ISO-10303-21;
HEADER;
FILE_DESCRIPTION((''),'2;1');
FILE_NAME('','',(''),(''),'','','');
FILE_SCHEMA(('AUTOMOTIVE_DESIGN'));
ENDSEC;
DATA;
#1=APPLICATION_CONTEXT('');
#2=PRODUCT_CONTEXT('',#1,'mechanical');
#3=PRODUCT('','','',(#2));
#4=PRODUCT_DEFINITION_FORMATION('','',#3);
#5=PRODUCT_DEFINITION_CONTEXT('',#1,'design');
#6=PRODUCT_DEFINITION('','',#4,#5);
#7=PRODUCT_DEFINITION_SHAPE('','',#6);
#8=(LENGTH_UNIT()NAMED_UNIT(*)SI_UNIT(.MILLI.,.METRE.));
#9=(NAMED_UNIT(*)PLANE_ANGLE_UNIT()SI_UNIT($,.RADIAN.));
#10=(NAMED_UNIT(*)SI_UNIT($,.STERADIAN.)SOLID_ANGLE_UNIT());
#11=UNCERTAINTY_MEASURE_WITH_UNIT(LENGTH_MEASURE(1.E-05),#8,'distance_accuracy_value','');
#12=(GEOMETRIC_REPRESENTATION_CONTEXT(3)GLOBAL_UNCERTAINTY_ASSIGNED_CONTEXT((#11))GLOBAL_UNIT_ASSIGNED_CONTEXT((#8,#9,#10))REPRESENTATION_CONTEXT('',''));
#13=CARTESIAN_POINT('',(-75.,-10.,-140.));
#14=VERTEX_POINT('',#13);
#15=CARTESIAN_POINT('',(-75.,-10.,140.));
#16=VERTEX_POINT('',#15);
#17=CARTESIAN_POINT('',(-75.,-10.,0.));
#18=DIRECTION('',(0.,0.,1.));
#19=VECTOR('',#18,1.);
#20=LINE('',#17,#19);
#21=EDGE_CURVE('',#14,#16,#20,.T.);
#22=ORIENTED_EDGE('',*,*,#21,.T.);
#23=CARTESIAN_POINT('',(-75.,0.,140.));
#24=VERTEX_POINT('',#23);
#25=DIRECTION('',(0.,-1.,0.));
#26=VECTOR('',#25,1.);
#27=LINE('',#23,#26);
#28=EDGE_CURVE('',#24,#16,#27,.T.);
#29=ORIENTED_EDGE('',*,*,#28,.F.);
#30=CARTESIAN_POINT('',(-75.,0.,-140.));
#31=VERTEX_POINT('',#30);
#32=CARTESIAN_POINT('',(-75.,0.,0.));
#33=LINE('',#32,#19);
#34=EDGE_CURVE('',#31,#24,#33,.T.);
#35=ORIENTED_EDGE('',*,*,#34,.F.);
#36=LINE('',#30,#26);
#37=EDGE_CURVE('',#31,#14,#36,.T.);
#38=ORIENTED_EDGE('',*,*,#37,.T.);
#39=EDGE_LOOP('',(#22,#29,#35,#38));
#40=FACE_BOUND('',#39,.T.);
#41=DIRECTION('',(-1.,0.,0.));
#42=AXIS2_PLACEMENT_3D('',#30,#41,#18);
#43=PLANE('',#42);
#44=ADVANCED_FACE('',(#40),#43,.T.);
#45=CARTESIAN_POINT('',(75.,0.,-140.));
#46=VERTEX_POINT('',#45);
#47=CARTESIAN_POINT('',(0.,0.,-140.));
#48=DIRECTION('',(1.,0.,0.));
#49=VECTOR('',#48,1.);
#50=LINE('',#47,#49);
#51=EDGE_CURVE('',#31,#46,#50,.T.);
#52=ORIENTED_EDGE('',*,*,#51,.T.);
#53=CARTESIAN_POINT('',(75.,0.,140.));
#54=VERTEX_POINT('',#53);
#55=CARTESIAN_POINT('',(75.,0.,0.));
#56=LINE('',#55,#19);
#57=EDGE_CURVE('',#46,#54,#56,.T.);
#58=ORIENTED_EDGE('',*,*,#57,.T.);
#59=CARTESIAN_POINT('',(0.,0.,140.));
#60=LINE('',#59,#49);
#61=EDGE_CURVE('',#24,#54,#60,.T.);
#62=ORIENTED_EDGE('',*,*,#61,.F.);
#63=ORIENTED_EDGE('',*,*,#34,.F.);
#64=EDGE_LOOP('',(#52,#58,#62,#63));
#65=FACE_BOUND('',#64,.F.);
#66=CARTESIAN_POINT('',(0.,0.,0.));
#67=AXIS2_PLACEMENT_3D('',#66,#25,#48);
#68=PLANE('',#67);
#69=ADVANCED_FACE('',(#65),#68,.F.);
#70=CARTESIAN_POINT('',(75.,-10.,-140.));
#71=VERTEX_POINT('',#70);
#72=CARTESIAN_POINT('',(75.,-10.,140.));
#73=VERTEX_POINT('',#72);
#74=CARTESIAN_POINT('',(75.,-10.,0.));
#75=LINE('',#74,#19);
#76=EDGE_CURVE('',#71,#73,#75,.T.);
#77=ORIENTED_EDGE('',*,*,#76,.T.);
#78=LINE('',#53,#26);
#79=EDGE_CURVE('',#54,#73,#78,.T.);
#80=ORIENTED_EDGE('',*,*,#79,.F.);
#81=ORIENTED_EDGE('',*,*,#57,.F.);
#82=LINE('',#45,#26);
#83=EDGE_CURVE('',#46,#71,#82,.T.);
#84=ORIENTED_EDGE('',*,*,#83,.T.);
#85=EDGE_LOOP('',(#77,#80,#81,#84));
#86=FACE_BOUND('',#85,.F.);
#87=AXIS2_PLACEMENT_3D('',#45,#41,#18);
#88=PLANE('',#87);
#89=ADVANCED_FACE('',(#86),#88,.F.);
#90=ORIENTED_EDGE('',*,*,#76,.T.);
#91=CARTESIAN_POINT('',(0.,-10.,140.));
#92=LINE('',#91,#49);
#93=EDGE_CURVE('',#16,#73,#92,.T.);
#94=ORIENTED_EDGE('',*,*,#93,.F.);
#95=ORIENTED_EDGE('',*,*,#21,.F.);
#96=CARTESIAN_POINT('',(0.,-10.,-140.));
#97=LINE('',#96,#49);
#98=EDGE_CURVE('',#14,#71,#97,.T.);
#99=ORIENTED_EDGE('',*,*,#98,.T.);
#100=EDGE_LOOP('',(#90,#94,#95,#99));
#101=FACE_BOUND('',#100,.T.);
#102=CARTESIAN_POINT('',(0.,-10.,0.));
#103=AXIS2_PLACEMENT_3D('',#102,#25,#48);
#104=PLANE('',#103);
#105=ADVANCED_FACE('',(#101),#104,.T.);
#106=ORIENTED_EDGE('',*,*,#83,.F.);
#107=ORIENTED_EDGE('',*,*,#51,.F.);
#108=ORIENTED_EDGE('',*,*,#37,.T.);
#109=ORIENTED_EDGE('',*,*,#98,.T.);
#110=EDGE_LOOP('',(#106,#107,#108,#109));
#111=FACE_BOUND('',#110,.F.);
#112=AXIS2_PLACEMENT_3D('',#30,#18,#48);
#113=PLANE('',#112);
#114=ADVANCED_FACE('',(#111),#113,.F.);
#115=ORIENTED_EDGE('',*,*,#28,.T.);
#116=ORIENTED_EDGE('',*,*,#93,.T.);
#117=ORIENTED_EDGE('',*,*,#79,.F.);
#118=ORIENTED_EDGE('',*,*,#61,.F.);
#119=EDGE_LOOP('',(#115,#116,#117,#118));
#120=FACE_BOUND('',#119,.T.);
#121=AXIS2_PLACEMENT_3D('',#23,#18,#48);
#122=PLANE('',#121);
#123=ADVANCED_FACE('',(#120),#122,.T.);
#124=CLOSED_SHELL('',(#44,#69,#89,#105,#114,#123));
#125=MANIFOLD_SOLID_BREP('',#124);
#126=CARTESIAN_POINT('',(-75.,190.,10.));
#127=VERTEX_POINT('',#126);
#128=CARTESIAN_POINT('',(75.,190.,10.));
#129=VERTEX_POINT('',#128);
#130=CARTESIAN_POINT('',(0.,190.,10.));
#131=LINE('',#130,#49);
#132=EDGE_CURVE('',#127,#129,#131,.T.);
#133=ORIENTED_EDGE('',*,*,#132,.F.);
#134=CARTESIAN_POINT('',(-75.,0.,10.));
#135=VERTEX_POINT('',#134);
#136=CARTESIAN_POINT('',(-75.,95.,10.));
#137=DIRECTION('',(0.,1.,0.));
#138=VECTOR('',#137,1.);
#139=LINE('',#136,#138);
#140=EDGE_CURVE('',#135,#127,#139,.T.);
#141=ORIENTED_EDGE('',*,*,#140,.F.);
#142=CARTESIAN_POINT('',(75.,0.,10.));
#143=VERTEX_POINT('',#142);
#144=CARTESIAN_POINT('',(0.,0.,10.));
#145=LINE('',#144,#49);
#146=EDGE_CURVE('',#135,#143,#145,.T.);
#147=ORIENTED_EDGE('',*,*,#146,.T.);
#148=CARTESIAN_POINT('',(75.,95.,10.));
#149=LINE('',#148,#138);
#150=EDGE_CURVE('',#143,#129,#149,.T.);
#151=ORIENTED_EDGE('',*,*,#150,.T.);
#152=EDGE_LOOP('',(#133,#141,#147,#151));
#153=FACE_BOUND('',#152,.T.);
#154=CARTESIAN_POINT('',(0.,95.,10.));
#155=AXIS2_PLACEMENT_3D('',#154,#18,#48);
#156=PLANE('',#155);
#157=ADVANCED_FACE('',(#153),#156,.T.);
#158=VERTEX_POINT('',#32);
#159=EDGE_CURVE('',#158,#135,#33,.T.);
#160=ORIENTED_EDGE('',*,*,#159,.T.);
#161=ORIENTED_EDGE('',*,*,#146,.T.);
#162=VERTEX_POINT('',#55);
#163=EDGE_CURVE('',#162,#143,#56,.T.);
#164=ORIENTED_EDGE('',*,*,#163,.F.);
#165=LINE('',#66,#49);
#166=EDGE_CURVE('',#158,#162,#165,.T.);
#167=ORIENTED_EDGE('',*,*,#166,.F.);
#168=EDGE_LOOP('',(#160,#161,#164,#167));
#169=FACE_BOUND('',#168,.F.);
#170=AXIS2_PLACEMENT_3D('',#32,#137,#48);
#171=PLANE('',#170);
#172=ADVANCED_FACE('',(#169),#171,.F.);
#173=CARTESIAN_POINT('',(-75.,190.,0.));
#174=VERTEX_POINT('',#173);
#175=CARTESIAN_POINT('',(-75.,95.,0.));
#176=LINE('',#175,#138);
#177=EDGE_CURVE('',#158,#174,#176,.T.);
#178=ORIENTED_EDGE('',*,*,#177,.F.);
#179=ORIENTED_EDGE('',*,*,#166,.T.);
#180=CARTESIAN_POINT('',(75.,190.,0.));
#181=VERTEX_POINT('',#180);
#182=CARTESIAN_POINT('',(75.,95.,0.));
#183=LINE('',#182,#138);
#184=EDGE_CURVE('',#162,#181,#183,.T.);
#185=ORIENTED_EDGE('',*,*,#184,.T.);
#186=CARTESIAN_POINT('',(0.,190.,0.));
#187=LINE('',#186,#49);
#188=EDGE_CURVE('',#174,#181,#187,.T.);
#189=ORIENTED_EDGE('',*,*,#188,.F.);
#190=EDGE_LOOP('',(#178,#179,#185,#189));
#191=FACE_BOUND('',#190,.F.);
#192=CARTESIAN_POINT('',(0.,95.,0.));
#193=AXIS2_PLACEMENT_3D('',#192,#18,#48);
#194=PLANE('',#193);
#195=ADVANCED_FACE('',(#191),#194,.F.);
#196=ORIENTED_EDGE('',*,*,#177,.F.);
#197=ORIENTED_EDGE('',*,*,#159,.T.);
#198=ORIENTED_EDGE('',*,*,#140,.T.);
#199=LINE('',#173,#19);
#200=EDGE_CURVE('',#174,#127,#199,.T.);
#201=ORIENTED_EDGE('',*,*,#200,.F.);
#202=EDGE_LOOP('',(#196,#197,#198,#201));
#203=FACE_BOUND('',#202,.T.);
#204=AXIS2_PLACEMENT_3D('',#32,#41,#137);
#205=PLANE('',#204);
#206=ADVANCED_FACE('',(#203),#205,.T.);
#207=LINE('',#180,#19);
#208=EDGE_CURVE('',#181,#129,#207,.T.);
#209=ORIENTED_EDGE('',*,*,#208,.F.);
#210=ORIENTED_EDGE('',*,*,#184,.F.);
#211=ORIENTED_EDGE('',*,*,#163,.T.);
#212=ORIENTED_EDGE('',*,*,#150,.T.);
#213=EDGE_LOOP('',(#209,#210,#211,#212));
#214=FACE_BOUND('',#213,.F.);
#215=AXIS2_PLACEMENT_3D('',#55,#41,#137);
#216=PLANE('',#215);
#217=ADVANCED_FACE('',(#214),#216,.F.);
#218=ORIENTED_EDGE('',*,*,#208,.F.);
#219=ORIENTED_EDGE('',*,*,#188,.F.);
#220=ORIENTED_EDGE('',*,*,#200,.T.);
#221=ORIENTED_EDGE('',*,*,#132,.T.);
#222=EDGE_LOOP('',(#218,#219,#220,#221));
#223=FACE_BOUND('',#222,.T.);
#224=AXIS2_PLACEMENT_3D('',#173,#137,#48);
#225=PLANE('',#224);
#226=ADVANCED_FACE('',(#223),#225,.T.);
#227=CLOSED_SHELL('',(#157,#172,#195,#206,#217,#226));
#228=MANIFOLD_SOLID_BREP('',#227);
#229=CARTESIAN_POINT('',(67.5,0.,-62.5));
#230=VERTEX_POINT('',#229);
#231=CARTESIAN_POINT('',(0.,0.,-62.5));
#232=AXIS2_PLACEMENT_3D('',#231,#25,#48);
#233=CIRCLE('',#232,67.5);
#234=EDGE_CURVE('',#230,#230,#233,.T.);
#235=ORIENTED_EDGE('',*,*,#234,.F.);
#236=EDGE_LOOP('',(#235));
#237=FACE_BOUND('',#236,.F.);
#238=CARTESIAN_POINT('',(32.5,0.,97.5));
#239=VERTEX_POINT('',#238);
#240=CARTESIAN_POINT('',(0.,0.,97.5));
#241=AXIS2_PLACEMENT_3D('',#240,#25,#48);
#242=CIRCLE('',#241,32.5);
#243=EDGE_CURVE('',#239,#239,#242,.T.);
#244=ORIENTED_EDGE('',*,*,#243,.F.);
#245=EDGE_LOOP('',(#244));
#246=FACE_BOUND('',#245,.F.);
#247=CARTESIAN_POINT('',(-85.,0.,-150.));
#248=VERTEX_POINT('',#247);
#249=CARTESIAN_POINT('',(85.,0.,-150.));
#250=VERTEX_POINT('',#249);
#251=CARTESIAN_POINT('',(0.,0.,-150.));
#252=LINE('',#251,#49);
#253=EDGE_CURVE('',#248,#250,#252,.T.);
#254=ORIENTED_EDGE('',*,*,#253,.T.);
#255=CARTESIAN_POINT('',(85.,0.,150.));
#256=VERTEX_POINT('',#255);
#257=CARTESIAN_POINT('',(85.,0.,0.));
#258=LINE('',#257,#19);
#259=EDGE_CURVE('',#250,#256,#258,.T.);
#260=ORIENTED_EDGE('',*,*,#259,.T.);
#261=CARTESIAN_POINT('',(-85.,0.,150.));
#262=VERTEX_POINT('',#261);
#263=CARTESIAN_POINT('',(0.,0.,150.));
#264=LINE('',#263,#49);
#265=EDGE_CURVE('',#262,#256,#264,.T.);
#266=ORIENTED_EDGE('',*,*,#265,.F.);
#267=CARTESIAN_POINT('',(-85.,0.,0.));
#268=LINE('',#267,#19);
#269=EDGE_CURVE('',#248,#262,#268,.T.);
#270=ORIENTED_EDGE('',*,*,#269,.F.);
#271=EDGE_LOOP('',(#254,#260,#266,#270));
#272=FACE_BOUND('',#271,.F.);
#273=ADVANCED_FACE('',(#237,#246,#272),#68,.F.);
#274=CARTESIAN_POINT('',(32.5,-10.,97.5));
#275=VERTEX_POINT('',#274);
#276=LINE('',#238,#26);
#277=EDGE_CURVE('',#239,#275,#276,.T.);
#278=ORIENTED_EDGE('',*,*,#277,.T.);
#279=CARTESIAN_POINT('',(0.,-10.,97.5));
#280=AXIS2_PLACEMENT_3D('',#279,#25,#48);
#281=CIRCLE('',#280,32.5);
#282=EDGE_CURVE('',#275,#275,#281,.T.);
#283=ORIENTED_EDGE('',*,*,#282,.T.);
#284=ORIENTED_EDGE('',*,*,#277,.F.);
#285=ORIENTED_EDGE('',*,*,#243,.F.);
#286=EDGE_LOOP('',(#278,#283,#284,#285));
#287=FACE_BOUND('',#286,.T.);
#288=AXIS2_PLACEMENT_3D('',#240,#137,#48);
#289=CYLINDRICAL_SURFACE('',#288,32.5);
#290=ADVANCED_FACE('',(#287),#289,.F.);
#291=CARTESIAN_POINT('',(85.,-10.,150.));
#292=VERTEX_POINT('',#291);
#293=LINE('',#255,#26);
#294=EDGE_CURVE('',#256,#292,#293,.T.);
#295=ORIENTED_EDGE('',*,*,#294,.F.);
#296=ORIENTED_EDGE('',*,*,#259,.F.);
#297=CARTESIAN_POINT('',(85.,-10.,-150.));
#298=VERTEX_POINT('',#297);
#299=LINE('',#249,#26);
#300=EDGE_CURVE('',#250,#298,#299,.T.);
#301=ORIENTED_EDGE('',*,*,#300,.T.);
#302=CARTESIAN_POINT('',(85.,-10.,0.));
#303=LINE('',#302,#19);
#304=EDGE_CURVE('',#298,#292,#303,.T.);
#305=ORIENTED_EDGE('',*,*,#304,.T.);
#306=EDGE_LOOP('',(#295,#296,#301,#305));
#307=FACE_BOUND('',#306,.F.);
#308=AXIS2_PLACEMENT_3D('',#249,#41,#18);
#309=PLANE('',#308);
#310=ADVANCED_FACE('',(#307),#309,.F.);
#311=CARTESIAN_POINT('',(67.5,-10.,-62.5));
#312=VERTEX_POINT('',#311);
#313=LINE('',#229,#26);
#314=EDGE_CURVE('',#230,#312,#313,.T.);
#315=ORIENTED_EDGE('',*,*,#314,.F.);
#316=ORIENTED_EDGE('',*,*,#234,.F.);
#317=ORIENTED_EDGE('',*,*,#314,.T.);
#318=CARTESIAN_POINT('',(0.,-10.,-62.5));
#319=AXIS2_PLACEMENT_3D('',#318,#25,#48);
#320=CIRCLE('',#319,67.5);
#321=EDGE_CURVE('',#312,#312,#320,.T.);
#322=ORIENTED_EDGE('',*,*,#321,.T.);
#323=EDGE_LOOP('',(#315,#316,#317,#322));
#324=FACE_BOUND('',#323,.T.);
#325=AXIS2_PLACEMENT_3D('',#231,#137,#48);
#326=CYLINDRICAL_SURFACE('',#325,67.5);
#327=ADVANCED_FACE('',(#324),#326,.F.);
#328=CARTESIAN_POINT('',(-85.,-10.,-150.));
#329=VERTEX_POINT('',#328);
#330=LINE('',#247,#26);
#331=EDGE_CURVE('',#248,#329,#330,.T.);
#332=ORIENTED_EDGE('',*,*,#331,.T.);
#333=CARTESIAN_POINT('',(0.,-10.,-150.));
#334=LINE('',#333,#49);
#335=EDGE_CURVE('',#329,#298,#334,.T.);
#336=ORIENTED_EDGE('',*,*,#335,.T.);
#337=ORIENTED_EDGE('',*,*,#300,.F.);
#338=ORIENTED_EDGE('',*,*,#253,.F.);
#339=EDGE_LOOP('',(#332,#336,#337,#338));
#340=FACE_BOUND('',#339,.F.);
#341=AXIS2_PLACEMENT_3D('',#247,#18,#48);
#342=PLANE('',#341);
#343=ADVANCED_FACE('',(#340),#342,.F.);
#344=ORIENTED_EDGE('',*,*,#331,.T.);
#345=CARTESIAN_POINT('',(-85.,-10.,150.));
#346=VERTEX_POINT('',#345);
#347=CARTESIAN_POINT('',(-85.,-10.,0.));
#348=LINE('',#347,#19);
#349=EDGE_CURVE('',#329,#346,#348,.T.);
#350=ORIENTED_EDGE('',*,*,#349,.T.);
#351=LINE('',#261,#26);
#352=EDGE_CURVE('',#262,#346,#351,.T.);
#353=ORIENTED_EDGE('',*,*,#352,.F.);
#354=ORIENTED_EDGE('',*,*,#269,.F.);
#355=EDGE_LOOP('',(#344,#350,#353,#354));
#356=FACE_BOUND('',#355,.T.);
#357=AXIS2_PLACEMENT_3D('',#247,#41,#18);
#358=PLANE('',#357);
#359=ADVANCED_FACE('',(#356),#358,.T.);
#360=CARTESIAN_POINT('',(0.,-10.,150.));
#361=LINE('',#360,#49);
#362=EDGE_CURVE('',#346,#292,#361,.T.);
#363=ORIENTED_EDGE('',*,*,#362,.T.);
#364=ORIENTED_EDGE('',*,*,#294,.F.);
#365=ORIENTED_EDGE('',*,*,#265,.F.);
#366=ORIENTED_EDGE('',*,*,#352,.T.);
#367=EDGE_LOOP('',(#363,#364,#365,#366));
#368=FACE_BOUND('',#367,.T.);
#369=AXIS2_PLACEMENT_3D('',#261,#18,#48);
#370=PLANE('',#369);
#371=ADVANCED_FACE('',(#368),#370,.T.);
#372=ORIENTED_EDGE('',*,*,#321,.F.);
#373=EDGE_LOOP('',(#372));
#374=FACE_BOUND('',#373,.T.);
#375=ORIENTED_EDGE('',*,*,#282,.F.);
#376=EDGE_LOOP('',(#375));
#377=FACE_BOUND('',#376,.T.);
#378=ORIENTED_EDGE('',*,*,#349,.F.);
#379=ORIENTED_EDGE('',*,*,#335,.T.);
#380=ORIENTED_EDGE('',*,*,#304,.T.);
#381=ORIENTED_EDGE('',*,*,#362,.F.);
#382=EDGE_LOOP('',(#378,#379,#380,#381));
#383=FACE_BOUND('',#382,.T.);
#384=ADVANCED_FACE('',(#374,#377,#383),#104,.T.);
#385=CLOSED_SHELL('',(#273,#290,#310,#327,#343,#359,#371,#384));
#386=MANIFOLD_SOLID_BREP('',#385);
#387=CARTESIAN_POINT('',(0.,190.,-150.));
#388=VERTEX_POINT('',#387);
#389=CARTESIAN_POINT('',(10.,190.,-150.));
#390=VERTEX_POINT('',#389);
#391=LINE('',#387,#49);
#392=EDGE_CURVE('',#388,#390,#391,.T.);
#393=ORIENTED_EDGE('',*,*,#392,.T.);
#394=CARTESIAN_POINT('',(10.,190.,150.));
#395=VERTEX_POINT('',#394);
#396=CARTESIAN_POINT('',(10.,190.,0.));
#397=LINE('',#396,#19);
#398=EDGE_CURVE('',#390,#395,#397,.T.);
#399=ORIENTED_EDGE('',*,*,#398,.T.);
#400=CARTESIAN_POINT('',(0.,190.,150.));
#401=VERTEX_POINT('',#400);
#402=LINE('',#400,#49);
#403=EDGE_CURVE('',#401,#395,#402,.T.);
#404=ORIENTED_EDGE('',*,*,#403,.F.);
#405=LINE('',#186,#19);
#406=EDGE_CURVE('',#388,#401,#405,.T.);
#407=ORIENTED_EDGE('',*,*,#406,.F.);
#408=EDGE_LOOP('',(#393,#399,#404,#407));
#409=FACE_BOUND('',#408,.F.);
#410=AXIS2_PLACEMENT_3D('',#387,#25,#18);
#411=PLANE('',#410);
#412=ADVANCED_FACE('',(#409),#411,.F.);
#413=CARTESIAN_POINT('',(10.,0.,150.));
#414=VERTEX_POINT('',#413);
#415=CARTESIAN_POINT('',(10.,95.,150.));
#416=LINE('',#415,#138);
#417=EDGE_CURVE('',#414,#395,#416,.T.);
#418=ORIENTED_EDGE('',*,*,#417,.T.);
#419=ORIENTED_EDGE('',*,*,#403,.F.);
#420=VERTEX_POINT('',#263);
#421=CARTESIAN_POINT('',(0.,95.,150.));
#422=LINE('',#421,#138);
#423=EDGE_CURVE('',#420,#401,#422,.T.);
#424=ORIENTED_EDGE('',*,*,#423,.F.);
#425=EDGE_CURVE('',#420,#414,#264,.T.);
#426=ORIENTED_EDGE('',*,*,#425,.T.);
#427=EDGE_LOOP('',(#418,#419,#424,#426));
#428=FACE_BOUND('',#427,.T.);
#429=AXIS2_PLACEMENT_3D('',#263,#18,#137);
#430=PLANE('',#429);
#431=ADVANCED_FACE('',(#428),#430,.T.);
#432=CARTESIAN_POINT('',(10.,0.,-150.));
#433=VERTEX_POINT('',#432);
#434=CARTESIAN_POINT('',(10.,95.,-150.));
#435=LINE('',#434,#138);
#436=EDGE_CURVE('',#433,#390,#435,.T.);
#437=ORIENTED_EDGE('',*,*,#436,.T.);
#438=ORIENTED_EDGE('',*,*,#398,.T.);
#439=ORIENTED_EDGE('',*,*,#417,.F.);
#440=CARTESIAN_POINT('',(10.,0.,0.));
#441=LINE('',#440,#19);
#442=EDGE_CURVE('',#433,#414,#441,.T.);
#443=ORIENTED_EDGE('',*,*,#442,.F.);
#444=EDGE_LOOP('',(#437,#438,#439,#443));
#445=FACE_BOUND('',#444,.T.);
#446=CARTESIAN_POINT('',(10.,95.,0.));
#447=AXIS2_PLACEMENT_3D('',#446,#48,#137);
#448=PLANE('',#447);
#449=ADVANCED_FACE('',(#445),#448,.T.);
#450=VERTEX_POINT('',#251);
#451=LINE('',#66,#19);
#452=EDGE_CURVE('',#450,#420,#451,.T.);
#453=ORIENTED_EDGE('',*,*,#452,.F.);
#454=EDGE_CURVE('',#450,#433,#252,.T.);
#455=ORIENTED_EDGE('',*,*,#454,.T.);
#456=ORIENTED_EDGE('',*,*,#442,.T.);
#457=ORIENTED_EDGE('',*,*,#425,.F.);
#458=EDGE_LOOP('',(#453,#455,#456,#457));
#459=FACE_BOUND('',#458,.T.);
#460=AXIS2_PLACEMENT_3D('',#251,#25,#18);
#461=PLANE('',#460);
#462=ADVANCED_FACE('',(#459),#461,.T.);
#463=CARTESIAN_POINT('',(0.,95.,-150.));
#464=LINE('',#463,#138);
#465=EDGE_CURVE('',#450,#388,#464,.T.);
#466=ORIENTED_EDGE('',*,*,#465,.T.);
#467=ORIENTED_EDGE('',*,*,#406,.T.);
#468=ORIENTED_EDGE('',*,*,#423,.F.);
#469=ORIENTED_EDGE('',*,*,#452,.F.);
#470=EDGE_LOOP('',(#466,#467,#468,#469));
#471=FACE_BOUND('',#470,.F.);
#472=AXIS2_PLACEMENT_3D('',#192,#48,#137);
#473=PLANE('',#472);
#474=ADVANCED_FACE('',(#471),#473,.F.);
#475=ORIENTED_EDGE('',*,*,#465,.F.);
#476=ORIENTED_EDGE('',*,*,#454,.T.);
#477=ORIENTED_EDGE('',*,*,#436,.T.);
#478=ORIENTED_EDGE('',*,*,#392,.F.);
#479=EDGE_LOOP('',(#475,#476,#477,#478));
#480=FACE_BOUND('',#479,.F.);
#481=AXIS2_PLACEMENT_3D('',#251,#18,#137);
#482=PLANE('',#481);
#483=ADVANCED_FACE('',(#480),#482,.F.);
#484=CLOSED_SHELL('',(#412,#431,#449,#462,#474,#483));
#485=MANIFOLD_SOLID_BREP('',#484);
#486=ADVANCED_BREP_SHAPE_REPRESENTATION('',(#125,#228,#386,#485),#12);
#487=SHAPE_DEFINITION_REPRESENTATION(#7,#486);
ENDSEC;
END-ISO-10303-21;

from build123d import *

# Parameters (mm, degrees)
F1_W     = 170
F1_H     = 300
F1_R     = 67.5
F1_R_2   = 32.5
F2_DEPTH = 10
F3_W     = 150
F3_H     = 190
F4_DEPTH = 10
F5_W     = 190
F5_H     = 300
F6_DEPTH = 10
F7_W     = 150
F7_H     = 280
F8_DEPTH = 10


with BuildPart() as f2:
    # F1 (on Front) → F2 (new body)
    with BuildSketch(Plane.XZ):
        Rectangle(F1_W, F1_H)
        with Locations((0, -62.5)):
            Circle(F1_R, mode=Mode.SUBTRACT)
        with Locations((0, 97.5)):
            Circle(F1_R_2, mode=Mode.SUBTRACT)
    extrude(amount=F2_DEPTH)


with BuildPart() as f4:
    # F3 (on Top) → F4 (new body)
    with BuildSketch(Plane.XY):
        with Locations((0, 95)):
            Rectangle(F3_W, F3_H)
    extrude(amount=F4_DEPTH)


with BuildPart() as f6:
    # F5 (on Right) → F6 (new body)
    with BuildSketch(Plane.YZ):
        with Locations((95, 0)):
            Rectangle(F5_W, F5_H)
    extrude(amount=F6_DEPTH)


with BuildPart() as f8:
    # F7 (on Front) → F8 (new body)
    with BuildSketch(Plane.XZ):
        Rectangle(F7_W, F7_H)
    extrude(amount=F8_DEPTH)


solid = Compound([f2.part, f4.part, f6.part, f8.part])
